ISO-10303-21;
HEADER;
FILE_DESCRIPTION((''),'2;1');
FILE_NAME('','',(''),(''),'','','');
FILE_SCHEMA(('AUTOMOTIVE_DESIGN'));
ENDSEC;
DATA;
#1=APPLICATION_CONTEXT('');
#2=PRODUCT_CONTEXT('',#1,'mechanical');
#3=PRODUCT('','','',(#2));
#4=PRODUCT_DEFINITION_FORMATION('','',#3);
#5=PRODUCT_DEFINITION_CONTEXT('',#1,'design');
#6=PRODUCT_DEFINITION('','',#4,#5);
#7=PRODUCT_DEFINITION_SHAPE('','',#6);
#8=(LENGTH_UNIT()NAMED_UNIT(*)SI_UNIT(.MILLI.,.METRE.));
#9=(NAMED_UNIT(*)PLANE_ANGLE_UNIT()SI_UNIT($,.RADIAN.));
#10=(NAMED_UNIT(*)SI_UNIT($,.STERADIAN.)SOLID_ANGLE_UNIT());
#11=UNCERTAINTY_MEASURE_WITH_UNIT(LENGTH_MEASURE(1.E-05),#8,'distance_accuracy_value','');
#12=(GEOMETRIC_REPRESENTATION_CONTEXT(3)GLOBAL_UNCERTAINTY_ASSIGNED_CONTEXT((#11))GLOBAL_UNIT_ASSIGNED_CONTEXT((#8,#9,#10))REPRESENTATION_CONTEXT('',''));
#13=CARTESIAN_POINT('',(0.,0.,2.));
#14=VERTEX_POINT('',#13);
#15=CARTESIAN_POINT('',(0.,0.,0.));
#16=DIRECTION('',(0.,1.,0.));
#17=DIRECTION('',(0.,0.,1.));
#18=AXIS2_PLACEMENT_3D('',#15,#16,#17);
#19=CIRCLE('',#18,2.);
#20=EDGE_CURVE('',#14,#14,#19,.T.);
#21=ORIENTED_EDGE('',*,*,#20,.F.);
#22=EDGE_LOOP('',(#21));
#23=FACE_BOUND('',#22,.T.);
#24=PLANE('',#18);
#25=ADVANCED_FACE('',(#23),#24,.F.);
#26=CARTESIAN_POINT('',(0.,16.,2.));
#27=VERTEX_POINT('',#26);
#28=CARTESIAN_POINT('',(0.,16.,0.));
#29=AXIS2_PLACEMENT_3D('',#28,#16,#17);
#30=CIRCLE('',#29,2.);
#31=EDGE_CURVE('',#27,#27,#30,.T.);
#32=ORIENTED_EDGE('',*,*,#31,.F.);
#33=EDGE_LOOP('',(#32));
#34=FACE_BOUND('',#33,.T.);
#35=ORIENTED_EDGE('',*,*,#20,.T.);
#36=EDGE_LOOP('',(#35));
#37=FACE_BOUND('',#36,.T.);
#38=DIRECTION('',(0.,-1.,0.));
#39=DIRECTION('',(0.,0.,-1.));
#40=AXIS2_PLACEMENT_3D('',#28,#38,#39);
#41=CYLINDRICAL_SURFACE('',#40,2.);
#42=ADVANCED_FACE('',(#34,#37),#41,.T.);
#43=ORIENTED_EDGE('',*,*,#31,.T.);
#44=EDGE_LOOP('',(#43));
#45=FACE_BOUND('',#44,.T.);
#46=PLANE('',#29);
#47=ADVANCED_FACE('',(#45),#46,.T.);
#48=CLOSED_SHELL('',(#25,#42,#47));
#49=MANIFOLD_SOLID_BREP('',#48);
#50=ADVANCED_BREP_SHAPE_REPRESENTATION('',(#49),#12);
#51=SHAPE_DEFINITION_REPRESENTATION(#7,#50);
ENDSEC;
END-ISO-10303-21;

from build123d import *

# Parameters (mm, degrees)
ESQUISSE1_R      = 2
EXTRUSION1_DEPTH = 16


with BuildPart() as part:
    # Esquisse1 → Extrusion1 (new body)
    with BuildSketch(Plane(origin=(0, 0, 0), x_dir=(1, 0, 0), z_dir=(0, 1, 0))):
        Circle(ESQUISSE1_R)
    extrude(amount=EXTRUSION1_DEPTH)


solid = part.part
